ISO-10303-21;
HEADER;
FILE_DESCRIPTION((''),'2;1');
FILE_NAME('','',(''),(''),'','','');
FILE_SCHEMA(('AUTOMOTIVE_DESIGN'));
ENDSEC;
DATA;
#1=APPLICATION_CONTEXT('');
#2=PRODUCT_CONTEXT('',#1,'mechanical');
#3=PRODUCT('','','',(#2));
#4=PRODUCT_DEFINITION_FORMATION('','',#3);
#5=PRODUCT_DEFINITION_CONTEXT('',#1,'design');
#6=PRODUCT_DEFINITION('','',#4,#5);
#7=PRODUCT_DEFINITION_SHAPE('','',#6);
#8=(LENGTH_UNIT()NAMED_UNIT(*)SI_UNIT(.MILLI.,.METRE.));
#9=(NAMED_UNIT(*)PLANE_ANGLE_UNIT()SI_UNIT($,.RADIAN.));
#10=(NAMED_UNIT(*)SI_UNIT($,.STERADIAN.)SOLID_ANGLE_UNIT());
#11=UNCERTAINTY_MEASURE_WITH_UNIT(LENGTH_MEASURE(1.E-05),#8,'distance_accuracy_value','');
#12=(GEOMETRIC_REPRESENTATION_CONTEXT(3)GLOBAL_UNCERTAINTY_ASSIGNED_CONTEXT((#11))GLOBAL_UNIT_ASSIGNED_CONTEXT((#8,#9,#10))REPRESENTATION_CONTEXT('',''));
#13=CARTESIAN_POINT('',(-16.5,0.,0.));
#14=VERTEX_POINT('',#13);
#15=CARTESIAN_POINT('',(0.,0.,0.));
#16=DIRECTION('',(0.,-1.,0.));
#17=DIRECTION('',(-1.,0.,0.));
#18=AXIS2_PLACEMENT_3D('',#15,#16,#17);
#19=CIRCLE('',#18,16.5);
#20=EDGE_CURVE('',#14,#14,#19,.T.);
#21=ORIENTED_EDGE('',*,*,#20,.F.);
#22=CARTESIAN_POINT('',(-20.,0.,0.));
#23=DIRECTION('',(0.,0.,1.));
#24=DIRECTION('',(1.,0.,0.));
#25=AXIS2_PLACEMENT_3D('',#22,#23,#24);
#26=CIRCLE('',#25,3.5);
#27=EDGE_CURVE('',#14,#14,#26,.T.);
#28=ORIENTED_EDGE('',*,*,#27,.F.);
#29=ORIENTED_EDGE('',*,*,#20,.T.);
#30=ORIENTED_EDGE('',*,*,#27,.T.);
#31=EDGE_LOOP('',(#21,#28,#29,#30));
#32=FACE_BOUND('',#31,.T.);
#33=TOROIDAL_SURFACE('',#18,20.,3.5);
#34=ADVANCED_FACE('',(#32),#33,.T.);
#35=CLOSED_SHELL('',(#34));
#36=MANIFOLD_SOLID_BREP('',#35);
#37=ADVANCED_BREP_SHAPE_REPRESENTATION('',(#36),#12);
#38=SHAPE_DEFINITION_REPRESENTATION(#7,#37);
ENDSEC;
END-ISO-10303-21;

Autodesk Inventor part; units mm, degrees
ref_plane "YZ Plane" through (0, 0, 0) normal (1, 0, 0) x (0, 1, 0)
ref_plane "XZ Plane" through (0, 0, 0) normal (0, 1, 0) x (-1, 0, 0)
ref_plane "XY Plane" through (0, 0, 0) normal (0, 0, 1) x (1, 0, 0)
sketch "Эскиз1" plane through (0, 0, 0) normal (0, 0, 1) x (1, 0, 0)
  line L0 (0, 33.3944) -> (0, -29.771)
  circle A0 centre (-20, 0) radius 3.5
  point P0 (0, 0)
  dimension "d0" = 7
  dimension "d1" = 40
revolve "Вращение1" add sketch "Эскиз1" angle 360 about axis through (0, 33.3944, 0) along (0, -1, 0)
properties part number "МПСТ Мазеудерживающее кольцо быстроходного вала" material "Резина"
